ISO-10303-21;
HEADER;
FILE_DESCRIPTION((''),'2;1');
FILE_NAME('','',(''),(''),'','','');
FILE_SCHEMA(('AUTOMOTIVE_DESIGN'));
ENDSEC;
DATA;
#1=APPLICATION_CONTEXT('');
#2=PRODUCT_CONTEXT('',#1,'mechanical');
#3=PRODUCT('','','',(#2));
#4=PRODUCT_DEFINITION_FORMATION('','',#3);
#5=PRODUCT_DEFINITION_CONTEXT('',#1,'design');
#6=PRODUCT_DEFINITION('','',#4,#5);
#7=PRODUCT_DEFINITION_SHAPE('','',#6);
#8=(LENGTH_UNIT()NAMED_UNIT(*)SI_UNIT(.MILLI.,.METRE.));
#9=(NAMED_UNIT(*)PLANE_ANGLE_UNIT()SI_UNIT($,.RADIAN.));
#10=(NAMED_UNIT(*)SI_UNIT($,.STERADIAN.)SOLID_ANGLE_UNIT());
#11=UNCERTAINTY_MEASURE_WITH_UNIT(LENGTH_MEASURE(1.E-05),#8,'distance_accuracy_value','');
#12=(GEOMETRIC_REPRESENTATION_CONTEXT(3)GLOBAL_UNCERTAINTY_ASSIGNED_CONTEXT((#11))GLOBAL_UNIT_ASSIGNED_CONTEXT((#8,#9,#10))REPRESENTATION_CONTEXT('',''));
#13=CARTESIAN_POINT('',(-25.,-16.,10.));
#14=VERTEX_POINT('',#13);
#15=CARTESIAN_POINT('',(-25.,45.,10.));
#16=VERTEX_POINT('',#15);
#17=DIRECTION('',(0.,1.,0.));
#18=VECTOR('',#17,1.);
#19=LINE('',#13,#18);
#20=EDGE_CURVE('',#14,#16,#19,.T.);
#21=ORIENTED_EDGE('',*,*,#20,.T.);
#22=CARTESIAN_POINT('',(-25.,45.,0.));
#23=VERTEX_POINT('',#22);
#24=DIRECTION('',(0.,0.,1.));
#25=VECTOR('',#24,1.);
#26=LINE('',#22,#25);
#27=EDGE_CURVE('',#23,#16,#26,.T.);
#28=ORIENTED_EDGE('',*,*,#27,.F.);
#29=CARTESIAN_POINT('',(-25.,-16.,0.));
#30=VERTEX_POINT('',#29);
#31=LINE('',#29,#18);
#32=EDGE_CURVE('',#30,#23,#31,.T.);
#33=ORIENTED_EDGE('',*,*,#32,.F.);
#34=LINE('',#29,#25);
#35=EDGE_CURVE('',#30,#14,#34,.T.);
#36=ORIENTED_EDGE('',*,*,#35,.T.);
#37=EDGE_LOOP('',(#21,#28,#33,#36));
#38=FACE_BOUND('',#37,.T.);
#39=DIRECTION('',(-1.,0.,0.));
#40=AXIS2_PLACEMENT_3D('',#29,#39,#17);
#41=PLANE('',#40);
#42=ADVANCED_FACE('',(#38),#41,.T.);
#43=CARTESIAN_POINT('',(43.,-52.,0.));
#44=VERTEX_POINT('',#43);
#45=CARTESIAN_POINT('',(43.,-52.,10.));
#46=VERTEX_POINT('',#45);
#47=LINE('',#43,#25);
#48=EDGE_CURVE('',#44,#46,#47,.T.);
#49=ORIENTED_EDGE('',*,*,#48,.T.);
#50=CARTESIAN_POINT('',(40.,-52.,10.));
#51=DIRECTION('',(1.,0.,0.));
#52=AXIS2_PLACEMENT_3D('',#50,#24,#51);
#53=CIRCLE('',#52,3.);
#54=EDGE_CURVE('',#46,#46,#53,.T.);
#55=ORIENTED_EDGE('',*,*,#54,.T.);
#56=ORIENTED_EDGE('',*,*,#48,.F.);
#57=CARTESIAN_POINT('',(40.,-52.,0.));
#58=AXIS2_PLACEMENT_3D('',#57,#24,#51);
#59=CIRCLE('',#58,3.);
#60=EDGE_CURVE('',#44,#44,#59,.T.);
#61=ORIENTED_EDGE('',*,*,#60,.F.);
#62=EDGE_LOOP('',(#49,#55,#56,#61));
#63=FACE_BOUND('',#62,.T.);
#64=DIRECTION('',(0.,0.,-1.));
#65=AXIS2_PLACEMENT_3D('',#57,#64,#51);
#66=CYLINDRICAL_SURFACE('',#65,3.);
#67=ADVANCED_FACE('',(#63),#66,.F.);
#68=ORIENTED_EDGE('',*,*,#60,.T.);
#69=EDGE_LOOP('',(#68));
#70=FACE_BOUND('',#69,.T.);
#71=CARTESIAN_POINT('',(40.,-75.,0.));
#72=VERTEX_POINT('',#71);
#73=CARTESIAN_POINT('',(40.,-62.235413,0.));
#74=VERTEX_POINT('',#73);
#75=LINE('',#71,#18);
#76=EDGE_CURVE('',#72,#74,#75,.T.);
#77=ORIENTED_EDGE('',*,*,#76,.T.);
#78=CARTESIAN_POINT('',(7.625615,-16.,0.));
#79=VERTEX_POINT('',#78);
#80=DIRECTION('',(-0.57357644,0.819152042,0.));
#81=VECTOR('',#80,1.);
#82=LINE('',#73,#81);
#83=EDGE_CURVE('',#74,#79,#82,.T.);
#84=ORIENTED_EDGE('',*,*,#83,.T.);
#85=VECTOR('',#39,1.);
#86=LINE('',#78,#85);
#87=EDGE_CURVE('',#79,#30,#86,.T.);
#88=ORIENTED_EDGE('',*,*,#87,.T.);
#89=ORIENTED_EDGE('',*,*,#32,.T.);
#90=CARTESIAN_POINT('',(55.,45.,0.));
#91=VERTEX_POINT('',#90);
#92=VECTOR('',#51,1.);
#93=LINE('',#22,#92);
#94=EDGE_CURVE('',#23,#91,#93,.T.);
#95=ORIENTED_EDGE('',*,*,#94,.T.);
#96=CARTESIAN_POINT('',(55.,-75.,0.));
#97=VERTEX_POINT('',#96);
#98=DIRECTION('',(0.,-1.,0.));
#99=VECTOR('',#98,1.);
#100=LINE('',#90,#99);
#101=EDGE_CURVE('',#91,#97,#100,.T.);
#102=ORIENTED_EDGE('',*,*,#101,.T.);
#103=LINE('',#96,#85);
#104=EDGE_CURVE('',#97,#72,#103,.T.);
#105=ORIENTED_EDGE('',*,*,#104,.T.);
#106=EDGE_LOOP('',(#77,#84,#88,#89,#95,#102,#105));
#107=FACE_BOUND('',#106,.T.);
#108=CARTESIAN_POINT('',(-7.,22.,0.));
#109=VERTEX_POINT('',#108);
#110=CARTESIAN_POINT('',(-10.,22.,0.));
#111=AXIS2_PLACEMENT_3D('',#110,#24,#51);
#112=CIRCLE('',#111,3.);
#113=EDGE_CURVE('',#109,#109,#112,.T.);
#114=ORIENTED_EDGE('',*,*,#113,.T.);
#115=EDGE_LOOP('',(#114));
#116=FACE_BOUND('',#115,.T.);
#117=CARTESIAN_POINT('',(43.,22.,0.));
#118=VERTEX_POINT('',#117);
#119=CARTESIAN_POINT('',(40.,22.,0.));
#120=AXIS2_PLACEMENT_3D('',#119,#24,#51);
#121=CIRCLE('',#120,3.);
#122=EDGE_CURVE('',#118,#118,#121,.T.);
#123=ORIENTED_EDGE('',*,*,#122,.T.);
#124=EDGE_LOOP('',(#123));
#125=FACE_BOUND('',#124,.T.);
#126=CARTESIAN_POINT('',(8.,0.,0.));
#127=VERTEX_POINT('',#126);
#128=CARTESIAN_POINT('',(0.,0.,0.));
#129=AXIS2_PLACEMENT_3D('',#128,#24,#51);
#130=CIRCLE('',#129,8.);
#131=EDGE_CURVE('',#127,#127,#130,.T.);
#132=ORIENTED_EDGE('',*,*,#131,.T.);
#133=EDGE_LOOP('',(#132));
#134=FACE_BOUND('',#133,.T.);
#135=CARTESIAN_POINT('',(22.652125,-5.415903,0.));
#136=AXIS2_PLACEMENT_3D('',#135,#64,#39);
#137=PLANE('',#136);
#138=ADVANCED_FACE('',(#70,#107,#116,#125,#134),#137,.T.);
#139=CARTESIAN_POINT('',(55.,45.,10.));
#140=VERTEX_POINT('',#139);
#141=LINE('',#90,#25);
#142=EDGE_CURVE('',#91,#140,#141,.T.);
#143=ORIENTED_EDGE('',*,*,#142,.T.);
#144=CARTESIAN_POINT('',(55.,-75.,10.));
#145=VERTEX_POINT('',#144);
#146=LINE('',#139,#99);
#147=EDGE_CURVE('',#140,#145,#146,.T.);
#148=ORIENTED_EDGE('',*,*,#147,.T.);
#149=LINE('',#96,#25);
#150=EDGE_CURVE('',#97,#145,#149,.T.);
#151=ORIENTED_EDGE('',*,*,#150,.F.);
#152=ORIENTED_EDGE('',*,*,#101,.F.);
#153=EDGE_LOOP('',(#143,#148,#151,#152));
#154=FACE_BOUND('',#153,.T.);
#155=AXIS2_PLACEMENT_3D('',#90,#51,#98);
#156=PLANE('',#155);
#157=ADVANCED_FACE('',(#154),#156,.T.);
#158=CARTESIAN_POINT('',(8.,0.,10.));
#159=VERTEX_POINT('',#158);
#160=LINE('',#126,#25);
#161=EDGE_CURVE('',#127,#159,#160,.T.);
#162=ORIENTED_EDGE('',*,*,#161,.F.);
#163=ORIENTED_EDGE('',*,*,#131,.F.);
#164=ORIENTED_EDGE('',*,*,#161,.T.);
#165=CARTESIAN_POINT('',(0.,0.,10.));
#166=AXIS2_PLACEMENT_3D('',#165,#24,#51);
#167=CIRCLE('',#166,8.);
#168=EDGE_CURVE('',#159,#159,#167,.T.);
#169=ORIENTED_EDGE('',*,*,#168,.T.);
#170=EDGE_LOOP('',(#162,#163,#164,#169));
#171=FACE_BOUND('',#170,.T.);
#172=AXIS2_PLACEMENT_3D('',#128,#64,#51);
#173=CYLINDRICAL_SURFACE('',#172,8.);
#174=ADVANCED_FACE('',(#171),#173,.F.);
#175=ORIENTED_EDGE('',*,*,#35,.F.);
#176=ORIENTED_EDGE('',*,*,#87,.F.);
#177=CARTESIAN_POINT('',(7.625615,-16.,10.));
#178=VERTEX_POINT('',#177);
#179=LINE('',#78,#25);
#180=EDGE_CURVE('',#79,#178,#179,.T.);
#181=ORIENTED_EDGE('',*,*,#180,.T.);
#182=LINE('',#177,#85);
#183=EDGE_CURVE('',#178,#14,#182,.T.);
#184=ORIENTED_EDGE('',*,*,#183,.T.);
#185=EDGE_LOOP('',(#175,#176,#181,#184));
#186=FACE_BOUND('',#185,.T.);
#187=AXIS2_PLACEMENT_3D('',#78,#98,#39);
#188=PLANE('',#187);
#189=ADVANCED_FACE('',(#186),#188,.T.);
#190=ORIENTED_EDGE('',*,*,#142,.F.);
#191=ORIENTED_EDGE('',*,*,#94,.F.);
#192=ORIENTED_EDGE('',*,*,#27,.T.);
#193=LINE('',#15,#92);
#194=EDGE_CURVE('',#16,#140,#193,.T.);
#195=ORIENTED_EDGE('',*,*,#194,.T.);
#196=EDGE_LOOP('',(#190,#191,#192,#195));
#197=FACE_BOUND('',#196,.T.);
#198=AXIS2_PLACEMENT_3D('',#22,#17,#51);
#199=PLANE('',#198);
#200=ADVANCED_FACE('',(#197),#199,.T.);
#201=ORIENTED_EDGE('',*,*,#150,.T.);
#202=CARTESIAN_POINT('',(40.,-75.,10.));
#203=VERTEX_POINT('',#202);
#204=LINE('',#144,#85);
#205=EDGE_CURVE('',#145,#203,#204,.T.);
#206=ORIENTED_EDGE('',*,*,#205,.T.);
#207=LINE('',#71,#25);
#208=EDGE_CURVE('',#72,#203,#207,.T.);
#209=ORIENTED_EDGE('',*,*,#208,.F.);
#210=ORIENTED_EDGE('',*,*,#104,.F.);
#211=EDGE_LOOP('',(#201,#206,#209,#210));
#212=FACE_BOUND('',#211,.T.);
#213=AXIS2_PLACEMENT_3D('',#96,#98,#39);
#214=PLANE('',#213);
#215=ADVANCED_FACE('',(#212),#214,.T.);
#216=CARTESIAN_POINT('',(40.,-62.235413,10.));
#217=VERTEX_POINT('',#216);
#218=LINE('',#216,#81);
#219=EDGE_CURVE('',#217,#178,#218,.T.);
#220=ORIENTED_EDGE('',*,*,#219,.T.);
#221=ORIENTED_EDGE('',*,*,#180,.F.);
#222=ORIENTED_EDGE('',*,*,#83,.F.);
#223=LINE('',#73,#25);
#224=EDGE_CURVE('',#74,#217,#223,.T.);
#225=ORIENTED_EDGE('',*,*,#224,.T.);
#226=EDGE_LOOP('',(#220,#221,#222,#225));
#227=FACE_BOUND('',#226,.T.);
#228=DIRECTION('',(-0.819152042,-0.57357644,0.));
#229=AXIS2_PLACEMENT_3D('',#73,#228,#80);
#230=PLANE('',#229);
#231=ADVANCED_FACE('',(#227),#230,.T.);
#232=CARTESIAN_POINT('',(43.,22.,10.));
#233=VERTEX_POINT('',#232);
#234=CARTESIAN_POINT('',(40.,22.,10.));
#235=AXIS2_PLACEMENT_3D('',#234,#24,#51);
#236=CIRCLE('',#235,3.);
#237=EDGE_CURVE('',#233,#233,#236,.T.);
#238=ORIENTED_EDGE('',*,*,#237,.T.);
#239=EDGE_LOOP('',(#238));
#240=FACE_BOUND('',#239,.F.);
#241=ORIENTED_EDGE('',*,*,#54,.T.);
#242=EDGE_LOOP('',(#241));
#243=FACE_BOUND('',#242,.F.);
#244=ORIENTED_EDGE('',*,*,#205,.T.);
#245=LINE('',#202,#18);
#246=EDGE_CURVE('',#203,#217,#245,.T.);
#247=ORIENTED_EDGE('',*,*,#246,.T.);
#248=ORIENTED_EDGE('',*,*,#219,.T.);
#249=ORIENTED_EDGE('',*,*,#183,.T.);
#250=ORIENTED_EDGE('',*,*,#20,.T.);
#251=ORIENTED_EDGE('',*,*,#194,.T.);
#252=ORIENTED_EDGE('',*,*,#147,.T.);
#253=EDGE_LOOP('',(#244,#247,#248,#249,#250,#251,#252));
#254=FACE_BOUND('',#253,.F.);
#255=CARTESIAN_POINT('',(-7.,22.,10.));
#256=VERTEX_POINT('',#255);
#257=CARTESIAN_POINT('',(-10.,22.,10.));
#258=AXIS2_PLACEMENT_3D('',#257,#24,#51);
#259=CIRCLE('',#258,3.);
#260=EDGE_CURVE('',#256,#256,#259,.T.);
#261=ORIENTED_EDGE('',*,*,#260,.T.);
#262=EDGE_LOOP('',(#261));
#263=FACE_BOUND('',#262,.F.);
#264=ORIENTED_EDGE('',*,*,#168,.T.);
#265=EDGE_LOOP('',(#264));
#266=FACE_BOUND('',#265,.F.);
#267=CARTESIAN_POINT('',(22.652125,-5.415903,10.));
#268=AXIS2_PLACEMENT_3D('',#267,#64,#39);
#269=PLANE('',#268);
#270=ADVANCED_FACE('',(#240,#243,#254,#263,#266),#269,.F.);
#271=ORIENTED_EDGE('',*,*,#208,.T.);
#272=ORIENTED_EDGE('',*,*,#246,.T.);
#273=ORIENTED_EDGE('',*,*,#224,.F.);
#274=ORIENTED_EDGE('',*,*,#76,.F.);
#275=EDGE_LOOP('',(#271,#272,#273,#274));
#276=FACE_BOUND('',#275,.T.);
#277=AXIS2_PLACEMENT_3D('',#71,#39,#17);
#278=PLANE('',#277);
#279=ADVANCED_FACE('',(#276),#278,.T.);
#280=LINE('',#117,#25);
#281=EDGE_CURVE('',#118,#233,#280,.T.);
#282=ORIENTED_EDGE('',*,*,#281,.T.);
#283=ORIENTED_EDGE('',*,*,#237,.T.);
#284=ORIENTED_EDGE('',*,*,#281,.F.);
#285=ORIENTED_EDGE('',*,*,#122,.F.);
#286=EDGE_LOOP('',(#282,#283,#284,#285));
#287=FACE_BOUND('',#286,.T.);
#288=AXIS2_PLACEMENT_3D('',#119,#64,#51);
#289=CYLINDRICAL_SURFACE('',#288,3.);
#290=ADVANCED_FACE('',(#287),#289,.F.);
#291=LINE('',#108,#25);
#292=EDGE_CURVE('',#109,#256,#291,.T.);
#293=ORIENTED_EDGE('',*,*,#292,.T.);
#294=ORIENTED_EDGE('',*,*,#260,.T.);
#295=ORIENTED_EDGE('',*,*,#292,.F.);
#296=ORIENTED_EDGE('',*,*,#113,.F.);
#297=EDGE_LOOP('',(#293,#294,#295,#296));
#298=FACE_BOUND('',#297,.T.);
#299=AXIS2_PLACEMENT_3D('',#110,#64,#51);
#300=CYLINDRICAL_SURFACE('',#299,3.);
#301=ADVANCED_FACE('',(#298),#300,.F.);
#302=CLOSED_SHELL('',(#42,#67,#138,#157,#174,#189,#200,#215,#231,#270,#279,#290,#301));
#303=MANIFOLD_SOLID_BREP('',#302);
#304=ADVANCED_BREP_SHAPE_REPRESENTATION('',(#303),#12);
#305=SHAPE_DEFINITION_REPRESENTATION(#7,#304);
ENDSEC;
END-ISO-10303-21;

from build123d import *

# Parameters (mm, degrees)
SKETCH_R   = 8
SKETCH_R_2 = 3
PAD_DEPTH  = 10


with BuildPart() as part:
    # Sketch → Pad (new body)
    with BuildSketch(Plane.XY):
        Polygon((-25, 45), (55, 45), (55, -75), (40, -75), (40, -62.235413), (7.625615, -16), (-25, -16), align=None)
        Circle(SKETCH_R, mode=Mode.SUBTRACT)
        with Locations((40, -52)):
            Circle(SKETCH_R_2, mode=Mode.SUBTRACT)
        with Locations((40, 22)):
            Circle(SKETCH_R_2, mode=Mode.SUBTRACT)
        with Locations((-10, 22)):
            Circle(SKETCH_R_2, mode=Mode.SUBTRACT)
    extrude(amount=PAD_DEPTH)


solid = part.part
